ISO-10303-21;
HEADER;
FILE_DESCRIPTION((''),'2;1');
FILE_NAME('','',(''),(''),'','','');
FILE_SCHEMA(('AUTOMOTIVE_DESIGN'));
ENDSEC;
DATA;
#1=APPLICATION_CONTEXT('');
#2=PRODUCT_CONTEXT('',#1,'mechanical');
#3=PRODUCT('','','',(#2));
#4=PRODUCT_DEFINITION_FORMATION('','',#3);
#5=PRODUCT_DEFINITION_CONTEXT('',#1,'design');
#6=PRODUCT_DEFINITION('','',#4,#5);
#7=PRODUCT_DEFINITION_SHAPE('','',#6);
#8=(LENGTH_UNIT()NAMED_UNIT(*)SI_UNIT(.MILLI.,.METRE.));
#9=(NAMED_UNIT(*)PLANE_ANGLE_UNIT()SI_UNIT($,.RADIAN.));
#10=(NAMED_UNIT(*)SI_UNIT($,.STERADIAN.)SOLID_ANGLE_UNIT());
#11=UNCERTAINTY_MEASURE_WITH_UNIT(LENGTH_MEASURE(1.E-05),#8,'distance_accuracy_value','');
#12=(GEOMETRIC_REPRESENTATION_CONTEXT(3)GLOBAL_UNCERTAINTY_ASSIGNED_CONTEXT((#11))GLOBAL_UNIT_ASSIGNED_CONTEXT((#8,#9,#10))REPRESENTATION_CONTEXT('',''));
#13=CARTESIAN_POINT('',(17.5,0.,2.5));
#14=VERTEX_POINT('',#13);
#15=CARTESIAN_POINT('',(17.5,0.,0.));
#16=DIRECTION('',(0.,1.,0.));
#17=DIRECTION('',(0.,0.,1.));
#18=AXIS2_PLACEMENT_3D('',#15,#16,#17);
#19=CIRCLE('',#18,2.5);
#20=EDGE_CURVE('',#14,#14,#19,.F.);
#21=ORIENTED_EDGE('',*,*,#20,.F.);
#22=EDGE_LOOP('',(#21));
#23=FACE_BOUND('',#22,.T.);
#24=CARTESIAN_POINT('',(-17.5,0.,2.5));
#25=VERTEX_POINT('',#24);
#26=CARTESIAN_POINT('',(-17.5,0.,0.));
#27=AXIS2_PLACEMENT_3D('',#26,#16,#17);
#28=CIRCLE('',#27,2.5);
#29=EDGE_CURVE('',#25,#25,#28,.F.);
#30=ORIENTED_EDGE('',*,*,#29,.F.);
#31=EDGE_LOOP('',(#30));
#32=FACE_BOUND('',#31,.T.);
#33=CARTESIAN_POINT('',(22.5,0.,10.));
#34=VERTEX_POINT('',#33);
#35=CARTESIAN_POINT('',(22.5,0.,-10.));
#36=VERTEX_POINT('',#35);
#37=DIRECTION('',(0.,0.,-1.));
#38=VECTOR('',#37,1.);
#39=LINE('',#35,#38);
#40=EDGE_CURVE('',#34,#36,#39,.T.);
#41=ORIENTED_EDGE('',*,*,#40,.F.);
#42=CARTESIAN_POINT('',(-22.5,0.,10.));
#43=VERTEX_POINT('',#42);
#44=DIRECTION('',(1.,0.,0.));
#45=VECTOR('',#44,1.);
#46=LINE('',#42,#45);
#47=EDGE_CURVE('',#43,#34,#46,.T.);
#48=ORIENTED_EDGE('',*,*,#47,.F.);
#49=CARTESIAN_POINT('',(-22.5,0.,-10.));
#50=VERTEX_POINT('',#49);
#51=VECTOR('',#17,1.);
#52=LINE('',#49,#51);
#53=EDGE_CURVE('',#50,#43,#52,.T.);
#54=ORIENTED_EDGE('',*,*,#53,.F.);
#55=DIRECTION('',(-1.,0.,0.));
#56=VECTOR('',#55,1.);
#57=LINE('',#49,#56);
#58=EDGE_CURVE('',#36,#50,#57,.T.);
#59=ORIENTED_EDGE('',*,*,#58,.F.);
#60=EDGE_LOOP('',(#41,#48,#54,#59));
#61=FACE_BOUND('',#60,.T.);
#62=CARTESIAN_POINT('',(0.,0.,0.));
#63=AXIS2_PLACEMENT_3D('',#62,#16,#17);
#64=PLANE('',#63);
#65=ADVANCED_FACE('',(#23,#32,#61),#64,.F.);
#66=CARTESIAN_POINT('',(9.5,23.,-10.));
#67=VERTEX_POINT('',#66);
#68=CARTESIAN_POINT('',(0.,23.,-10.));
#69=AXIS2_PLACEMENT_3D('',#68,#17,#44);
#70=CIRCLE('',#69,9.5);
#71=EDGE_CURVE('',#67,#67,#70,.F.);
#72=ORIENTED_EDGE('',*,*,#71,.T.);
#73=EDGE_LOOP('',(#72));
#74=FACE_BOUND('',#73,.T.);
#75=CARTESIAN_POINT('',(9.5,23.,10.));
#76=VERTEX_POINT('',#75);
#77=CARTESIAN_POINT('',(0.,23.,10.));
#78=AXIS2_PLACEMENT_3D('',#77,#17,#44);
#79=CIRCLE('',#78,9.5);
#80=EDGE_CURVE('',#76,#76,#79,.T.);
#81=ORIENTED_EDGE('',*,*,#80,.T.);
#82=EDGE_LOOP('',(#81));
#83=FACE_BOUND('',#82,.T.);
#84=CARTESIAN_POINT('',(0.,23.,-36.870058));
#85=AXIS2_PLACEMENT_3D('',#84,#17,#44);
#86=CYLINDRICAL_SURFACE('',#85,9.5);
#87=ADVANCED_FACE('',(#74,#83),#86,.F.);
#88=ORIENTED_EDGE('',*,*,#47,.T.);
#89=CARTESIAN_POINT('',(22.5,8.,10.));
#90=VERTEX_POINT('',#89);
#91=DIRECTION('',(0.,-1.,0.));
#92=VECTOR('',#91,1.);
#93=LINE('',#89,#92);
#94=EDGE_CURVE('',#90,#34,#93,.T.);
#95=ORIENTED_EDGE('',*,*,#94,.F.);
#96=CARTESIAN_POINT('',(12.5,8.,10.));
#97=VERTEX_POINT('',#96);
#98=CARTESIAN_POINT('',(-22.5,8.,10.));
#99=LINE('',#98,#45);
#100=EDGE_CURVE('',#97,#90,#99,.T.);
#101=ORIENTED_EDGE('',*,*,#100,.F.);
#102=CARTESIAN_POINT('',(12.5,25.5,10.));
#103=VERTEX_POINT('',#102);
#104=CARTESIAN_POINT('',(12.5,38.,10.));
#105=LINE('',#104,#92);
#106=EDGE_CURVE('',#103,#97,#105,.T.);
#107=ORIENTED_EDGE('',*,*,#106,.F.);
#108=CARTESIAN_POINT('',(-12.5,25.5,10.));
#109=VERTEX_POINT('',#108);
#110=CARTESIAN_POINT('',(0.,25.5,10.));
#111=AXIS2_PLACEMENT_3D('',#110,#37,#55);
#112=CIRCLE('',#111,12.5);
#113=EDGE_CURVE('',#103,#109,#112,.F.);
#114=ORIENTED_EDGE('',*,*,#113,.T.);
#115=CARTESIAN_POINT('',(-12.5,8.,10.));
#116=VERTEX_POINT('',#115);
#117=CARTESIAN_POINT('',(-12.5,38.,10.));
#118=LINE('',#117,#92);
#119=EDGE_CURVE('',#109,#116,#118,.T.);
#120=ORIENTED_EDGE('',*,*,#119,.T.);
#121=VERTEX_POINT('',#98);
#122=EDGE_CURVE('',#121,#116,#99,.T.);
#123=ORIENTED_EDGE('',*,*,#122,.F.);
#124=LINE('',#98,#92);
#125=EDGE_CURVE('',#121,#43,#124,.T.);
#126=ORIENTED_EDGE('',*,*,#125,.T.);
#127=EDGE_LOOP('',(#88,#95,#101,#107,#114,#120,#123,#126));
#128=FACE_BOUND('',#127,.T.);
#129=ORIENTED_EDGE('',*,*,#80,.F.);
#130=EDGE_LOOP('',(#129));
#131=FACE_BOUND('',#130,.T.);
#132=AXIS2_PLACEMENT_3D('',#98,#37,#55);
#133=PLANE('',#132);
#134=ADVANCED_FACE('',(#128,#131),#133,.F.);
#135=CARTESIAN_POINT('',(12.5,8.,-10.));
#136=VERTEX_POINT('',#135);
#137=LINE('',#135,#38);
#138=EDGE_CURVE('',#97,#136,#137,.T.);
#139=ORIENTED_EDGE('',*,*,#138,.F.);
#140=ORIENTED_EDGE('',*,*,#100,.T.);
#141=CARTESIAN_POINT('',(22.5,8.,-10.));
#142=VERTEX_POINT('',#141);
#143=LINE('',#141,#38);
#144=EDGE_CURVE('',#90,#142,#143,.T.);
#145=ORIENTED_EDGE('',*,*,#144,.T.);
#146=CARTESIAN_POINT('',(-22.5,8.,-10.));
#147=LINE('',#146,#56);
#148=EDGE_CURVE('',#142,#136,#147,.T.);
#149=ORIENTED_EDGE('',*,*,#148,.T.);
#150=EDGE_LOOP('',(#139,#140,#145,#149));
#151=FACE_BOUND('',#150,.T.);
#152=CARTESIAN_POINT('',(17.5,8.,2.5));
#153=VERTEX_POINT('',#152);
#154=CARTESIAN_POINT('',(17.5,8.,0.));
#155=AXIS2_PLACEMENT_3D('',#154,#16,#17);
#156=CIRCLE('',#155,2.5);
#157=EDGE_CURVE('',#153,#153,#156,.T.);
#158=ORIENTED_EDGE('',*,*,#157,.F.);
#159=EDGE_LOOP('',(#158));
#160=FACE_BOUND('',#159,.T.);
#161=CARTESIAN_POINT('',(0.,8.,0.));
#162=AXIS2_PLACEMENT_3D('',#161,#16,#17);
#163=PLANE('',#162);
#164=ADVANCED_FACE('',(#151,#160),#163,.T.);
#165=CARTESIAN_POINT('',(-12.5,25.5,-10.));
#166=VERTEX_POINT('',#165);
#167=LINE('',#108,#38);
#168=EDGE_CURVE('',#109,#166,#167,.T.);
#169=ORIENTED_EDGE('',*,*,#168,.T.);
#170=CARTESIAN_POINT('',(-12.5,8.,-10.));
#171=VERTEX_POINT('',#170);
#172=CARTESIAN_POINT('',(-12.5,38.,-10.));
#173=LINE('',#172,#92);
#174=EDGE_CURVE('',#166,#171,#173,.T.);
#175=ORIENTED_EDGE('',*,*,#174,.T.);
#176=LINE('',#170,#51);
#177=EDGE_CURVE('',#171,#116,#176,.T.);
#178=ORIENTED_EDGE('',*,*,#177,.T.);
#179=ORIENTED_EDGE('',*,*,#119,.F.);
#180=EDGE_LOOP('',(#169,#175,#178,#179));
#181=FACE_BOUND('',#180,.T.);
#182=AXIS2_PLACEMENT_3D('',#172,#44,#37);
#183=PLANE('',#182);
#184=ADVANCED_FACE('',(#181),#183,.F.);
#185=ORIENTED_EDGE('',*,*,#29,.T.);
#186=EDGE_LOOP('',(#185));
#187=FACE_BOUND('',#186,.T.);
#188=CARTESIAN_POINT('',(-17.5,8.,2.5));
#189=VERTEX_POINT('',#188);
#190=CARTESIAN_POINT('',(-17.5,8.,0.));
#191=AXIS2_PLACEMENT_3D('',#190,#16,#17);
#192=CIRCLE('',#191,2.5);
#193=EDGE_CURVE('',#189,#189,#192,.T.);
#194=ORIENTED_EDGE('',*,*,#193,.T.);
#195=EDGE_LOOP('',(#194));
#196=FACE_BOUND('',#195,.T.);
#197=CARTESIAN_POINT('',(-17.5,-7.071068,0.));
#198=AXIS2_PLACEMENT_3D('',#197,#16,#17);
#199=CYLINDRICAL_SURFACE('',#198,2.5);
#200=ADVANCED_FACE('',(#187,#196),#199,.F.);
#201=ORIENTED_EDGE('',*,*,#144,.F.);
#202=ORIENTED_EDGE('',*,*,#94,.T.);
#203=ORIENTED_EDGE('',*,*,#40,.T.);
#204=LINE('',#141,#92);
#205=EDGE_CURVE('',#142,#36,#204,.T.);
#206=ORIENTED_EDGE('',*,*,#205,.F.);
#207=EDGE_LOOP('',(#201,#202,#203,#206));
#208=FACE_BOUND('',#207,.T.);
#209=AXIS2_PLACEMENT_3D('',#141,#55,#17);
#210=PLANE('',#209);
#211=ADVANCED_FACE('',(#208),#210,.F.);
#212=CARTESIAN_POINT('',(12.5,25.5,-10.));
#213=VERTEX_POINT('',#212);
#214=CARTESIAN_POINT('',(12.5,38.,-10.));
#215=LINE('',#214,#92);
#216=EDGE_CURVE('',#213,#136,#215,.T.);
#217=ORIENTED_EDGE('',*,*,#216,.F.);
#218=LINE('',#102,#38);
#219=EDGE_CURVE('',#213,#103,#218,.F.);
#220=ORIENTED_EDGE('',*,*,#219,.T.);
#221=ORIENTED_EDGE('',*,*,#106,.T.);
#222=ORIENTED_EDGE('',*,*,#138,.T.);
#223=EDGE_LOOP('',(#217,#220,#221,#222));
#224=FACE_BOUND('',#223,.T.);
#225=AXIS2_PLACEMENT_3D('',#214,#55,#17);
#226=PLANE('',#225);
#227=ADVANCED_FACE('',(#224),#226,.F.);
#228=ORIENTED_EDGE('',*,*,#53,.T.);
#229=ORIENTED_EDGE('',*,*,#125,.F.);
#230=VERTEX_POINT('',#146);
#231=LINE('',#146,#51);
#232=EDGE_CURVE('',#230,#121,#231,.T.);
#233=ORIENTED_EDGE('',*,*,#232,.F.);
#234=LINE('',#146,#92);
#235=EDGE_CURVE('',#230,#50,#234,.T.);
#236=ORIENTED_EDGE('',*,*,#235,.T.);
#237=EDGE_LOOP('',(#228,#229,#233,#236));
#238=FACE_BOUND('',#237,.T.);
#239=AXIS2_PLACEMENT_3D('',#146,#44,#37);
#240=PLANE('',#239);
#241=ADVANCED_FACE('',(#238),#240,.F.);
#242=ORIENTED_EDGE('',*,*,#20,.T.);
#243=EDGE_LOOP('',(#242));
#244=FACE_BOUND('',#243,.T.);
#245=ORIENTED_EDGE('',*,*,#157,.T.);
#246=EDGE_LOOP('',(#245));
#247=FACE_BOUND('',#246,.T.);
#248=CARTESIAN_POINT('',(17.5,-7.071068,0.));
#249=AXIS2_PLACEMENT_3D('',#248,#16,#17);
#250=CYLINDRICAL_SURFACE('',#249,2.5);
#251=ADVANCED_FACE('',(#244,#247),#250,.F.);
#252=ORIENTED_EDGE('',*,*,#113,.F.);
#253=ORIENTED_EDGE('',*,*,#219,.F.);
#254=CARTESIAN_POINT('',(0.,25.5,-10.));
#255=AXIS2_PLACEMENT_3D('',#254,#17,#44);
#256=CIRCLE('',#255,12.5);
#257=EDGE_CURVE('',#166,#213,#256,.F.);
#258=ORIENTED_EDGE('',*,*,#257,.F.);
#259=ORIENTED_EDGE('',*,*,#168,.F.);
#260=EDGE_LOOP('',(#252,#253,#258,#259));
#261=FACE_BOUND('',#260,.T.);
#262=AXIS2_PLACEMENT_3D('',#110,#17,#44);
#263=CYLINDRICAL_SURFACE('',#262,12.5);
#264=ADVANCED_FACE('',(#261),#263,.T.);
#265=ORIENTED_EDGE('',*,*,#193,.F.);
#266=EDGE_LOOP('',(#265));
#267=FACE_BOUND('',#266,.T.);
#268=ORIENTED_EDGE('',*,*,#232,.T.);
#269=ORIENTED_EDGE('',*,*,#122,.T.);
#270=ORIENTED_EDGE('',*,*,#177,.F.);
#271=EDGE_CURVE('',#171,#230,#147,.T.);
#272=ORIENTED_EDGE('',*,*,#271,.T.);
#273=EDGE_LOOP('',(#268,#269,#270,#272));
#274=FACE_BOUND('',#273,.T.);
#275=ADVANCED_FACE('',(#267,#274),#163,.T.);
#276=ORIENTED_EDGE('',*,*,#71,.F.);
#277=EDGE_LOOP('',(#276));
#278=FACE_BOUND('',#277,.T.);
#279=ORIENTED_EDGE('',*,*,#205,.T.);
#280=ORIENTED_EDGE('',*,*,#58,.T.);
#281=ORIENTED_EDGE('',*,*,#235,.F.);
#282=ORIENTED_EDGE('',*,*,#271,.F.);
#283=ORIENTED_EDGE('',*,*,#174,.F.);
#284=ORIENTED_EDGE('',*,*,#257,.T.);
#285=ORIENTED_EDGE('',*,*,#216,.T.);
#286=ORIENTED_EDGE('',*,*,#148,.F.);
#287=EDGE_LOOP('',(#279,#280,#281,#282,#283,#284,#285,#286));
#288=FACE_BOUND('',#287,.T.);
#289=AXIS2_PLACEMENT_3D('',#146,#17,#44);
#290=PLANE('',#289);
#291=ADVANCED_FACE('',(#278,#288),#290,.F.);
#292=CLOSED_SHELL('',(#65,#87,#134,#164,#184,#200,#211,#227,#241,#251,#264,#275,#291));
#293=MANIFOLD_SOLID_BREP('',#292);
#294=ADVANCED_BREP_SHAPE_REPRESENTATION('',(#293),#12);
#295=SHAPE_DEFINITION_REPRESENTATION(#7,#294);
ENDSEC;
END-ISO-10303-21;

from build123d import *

# Parameters (mm, degrees)
SKETCH2_W           = 45
SKETCH2_H           = 20
BOSS_EXTRUDE1_DEPTH = 8
SKETCH3_W           = 25
SKETCH3_H           = 20
BOSS_EXTRUDE2_DEPTH = 30
SKETCH4_R           = 2.5
CUT_EXTRUDE1_DEPTH  = 8
SKETCH5_R           = 9.5
CUT_EXTRUDE2_DEPTH  = 20
FILLET2_RADIUS      = 12.5
FILLET2_LENGTH      = 20


with BuildPart() as part:
    # Sketch2 → Boss-Extrude1 (new body)
    with BuildSketch(Plane(origin=(0, 0, 0), x_dir=(1, 0, 0), z_dir=(0, 1, 0))):
        Rectangle(SKETCH2_W, SKETCH2_H)
    extrude(amount=BOSS_EXTRUDE1_DEPTH)

    # Sketch3 → Boss-Extrude2 (add)
    with BuildSketch(Plane(origin=(0, 8, 0), x_dir=(1, 0, 0), z_dir=(0, 1, 0))):
        Rectangle(SKETCH3_W, SKETCH3_H)
    extrude(amount=BOSS_EXTRUDE2_DEPTH)

    # Sketch4 → Cut-Extrude1 (cut)
    with BuildSketch(Plane(origin=(0, 8, 0), x_dir=(1, 0, 0), z_dir=(0, 1, 0))):
        with Locations(Location((-17.5, 0, 0), (0, 0, 270))):
            Circle(SKETCH4_R)
        with Locations(Location((17.5, 0, 0), (0, 0, 270))):
            Circle(SKETCH4_R)
    extrude(amount=-CUT_EXTRUDE1_DEPTH, mode=Mode.SUBTRACT)

    # Sketch5 → Cut-Extrude2 (cut)
    with BuildSketch(Plane.XY.offset(10)):
        with Locations((0, 23)):
            Circle(SKETCH5_R)
    extrude(amount=-CUT_EXTRUDE2_DEPTH, mode=Mode.SUBTRACT)

    # Fillet2: full round fillet: the end face becomes a half cylinder, R = half its width
    fillet2_face = Plane((0, 38, 0), x_dir=(0, 0, -1), z_dir=(0, 1, 0))  # on the end face: x along it, z out of the body
    fillet2_slab = fillet2_face.offset(-FILLET2_RADIUS / 2) * Box(FILLET2_LENGTH, 2 * FILLET2_RADIUS, FILLET2_RADIUS, mode=Mode.PRIVATE)  # the body's end, R deep
    fillet2_round = Plane((0, 25.5, 0), x_dir=(0, 1, 0), z_dir=(0, 0, -1)) * Cylinder(FILLET2_RADIUS, FILLET2_LENGTH, mode=Mode.PRIVATE)  # its axis R under the face
    add(fillet2_slab - fillet2_round, mode=Mode.SUBTRACT)


solid = part.part
